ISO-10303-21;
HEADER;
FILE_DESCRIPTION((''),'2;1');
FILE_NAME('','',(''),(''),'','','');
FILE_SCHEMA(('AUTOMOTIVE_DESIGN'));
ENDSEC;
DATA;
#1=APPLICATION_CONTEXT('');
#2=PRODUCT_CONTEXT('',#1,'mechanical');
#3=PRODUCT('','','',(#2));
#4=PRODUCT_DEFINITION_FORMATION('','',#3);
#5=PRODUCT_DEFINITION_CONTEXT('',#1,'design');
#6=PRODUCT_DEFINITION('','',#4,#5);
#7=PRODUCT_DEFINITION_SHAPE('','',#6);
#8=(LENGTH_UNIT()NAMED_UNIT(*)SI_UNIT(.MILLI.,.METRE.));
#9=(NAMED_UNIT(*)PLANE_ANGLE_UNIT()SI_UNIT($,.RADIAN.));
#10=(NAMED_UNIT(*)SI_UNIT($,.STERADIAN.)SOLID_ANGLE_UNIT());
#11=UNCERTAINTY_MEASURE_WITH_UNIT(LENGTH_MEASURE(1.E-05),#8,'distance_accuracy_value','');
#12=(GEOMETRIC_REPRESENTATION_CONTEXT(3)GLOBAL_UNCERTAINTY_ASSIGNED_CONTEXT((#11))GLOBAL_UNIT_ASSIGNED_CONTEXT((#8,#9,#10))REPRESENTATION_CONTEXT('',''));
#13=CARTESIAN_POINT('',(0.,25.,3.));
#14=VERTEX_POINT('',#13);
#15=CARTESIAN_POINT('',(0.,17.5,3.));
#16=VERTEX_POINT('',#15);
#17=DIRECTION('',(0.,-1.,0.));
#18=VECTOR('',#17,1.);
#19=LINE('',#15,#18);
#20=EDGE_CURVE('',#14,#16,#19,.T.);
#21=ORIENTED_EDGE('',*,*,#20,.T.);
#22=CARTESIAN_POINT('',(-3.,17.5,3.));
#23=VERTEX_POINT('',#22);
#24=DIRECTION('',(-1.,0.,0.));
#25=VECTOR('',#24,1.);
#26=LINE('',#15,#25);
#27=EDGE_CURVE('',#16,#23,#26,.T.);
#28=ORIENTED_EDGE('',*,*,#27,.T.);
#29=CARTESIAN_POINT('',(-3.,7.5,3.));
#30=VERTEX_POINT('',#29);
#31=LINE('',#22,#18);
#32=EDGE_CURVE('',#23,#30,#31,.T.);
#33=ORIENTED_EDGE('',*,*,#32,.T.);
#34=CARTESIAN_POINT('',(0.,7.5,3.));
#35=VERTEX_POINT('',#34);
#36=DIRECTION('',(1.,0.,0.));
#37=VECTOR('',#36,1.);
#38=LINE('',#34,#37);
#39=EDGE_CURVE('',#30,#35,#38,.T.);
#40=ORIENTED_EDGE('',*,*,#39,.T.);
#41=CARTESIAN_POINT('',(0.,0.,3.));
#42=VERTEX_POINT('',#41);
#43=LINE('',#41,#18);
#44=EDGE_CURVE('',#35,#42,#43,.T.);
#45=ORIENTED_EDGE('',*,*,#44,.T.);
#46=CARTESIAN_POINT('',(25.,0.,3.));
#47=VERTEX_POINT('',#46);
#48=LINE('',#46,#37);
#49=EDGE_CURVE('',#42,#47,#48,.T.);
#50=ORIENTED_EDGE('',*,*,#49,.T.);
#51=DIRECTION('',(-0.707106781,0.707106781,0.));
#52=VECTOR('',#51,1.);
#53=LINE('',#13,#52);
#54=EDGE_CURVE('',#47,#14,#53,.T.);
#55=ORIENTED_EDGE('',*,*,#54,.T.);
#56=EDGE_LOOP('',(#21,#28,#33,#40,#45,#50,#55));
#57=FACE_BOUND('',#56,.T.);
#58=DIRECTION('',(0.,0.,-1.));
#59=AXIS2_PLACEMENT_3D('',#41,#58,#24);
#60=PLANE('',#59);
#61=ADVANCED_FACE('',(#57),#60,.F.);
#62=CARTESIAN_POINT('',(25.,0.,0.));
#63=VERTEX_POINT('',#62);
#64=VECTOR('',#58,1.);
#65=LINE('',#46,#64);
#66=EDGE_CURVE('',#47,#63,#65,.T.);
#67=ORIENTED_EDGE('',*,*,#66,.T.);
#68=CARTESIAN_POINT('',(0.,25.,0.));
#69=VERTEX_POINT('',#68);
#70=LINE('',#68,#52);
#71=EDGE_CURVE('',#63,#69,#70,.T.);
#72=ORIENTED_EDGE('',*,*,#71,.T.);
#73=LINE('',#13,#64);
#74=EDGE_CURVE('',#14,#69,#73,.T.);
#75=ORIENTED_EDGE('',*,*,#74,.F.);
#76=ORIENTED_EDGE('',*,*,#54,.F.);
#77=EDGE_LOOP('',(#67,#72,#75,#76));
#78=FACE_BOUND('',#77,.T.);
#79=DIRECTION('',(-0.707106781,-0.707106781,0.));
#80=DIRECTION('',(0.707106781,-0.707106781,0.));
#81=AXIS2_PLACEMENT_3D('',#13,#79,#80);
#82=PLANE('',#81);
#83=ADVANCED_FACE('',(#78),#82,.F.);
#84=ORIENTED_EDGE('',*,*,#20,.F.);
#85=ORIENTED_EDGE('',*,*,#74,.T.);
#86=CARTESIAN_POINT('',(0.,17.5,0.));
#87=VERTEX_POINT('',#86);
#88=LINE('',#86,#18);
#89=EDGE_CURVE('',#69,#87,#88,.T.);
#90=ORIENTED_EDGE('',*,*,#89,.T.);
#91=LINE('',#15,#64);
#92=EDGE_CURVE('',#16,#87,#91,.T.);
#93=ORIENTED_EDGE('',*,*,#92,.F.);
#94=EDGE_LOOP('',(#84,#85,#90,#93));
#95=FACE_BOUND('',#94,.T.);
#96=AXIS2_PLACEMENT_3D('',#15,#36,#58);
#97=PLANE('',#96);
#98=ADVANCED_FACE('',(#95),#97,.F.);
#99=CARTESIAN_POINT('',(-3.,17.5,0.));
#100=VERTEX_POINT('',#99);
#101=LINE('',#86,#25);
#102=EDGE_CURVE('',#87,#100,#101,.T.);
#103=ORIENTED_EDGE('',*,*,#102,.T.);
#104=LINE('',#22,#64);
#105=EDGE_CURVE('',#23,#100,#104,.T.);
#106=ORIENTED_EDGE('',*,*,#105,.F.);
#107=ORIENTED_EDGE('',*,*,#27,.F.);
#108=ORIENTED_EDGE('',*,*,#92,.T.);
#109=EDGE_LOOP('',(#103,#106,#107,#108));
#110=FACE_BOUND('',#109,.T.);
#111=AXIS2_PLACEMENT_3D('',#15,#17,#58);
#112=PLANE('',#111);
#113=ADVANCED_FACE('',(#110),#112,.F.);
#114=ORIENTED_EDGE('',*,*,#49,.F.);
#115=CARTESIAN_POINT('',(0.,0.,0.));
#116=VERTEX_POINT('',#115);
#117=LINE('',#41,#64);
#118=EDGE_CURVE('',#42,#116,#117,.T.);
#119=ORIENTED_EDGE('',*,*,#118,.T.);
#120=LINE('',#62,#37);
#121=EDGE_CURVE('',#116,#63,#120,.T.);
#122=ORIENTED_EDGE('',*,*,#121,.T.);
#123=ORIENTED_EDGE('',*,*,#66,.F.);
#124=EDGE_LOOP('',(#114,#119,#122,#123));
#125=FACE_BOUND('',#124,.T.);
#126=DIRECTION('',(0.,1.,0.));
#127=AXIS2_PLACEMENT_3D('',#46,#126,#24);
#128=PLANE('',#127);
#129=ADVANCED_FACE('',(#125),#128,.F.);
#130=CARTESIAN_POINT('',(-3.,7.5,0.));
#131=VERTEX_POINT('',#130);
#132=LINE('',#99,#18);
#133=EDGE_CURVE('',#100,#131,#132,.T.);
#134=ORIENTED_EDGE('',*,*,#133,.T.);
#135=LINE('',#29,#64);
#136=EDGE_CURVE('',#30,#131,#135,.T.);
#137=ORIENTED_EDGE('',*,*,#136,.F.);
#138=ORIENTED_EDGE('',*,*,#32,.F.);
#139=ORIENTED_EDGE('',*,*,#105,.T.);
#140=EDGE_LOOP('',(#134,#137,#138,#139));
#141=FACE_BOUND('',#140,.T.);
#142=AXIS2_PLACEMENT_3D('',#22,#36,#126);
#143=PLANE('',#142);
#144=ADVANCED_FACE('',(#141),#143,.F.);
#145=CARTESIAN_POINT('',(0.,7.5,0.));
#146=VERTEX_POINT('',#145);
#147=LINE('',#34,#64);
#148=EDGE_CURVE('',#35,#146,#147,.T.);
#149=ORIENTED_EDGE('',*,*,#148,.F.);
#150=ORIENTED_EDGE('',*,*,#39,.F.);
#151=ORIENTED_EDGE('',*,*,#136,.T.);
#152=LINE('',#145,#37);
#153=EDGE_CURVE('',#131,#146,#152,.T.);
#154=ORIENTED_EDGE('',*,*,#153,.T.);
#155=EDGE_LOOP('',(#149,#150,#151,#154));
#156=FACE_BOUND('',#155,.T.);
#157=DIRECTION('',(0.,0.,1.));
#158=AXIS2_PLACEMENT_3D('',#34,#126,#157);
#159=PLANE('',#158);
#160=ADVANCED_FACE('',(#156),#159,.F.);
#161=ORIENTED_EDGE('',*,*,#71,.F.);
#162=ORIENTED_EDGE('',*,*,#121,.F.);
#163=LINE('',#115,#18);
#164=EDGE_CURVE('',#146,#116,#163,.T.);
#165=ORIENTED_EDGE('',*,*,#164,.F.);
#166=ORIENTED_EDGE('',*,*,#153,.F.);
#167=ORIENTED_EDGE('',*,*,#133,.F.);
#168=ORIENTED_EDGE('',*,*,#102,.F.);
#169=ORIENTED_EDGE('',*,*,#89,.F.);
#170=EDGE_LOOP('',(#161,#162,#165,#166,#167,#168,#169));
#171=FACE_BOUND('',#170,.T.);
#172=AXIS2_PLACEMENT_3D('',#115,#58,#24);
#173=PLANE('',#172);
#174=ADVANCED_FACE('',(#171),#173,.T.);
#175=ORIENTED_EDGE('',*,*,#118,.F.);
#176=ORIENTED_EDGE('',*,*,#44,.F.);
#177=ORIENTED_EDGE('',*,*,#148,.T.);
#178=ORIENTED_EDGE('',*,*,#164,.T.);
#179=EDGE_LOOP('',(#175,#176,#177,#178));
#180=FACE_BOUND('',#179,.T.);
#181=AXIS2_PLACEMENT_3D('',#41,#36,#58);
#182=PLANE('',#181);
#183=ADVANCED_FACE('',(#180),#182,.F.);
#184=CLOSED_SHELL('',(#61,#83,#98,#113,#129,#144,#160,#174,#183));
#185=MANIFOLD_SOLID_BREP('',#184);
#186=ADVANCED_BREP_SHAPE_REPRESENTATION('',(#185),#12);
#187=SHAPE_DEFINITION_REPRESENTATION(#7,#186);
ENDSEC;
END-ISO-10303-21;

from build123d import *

# Parameters (mm, degrees)
BOSS_EXTRUDE1_DEPTH = 3


with BuildPart() as part:
    # Sketch1 → Boss-Extrude1 (new body)
    with BuildSketch(Plane.XY):
        Polygon((0, 0), (0, 7.5), (-3, 7.5), (-3, 17.5), (0, 17.5), (0, 25), (25, 0), align=None)
    extrude(amount=BOSS_EXTRUDE1_DEPTH)


solid = part.part
